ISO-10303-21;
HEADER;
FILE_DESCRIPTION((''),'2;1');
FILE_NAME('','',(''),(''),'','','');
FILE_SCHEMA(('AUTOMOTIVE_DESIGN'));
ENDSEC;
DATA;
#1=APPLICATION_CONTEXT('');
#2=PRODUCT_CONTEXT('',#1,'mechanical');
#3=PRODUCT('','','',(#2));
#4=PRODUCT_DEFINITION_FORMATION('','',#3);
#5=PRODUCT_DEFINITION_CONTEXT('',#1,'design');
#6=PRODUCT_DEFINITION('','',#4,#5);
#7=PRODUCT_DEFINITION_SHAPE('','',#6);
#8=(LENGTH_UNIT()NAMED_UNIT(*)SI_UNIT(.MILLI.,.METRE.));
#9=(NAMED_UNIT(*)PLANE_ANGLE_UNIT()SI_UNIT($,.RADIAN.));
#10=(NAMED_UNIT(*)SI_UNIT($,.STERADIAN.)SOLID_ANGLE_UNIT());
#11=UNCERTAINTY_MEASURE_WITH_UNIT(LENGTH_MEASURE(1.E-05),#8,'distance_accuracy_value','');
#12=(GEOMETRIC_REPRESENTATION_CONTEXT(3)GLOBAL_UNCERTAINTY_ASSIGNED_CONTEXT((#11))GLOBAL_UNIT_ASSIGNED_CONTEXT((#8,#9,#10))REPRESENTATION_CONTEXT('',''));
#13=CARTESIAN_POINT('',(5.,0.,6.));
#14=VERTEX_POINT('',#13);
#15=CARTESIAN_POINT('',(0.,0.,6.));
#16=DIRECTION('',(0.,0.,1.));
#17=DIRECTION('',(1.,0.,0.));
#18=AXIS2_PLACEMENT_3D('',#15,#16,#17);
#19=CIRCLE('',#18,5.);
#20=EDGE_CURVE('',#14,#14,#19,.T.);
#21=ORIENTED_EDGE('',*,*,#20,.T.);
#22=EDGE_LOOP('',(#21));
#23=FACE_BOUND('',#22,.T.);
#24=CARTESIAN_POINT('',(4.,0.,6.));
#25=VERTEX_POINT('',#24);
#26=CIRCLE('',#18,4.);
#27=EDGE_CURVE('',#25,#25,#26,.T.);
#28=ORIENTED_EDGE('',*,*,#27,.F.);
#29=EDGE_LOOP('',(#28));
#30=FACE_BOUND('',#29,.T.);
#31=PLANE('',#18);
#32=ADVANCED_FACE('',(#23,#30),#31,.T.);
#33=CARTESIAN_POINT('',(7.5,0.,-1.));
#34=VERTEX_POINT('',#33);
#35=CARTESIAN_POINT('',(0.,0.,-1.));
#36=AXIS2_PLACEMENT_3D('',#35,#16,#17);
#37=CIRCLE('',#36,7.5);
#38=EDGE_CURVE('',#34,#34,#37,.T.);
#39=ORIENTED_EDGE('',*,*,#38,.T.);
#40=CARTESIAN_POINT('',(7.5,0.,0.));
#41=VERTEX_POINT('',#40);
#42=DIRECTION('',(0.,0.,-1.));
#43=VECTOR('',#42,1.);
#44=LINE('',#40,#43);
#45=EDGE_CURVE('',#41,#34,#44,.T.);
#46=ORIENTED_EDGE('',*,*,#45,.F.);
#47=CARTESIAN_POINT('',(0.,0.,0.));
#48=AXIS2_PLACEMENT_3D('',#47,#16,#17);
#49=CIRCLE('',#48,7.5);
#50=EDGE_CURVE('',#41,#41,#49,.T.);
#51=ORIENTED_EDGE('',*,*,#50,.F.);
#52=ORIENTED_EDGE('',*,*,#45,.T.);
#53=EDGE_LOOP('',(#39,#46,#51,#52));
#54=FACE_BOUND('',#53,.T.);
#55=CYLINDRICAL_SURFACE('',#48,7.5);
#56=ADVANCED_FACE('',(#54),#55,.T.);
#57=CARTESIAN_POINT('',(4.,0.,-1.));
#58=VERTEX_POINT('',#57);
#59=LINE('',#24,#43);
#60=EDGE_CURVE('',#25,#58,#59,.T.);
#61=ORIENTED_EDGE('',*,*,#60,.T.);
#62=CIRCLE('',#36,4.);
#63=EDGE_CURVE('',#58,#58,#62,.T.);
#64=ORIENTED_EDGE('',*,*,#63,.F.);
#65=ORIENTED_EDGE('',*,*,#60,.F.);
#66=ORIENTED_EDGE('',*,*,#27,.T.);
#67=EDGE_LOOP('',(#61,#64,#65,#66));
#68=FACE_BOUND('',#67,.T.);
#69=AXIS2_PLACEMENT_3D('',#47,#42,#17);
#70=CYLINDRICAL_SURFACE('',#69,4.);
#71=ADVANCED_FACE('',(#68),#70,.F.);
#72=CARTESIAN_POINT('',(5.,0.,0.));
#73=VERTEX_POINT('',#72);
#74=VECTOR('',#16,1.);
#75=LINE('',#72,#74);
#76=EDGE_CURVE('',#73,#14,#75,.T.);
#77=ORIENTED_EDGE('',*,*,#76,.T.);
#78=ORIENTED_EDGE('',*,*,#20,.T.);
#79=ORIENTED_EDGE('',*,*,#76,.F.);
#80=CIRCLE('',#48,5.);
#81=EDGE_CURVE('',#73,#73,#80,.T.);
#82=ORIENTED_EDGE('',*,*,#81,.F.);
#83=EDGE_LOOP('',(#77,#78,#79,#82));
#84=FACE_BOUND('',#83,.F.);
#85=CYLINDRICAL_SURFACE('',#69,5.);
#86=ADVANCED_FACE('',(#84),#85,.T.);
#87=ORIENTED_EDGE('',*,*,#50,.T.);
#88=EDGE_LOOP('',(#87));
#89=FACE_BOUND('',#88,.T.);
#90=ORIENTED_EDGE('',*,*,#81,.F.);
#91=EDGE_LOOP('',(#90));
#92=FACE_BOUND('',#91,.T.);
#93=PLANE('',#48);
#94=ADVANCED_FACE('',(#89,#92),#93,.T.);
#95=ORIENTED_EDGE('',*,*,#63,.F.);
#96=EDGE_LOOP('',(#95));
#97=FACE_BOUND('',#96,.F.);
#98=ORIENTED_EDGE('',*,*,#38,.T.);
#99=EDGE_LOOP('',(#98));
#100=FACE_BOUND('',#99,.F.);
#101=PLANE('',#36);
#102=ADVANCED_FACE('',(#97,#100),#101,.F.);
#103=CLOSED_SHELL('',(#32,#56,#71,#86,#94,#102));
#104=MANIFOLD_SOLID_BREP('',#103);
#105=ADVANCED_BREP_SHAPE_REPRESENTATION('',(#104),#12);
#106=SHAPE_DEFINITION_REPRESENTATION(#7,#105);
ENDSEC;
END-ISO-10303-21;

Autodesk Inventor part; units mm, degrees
ref_plane "YZ Plane" through (0, 0, 0) normal (1, 0, 0) x (0, 1, 0)
ref_plane "XZ Plane" through (0, 0, 0) normal (0, 1, 0) x (-1, 0, 0)
ref_plane "XY Plane" through (0, 0, 0) normal (0, 0, 1) x (1, 0, 0)
sketch "スケッチ1" plane through (0, 0, 0) normal (0, 0, 1) x (1, 0, 0)
  circle A0 centre (0, 0) radius 7.5
  circle A1 centre (0, 0) radius 5
  circle A2 centre (0, 0) radius 4
  dimension "d0" = 15
  dimension "d1" = 10
  dimension "d2" = 8
extrude "押し出し1" add sketch "スケッチ1" along normal blind 6 contours A1
extrude "押し出し2" add sketch "スケッチ1" against normal blind 1 contours A0 | A1
properties part number "オイレス　m4　8-6　フランジ付き l=6" material "アセタール樹脂、黒"
